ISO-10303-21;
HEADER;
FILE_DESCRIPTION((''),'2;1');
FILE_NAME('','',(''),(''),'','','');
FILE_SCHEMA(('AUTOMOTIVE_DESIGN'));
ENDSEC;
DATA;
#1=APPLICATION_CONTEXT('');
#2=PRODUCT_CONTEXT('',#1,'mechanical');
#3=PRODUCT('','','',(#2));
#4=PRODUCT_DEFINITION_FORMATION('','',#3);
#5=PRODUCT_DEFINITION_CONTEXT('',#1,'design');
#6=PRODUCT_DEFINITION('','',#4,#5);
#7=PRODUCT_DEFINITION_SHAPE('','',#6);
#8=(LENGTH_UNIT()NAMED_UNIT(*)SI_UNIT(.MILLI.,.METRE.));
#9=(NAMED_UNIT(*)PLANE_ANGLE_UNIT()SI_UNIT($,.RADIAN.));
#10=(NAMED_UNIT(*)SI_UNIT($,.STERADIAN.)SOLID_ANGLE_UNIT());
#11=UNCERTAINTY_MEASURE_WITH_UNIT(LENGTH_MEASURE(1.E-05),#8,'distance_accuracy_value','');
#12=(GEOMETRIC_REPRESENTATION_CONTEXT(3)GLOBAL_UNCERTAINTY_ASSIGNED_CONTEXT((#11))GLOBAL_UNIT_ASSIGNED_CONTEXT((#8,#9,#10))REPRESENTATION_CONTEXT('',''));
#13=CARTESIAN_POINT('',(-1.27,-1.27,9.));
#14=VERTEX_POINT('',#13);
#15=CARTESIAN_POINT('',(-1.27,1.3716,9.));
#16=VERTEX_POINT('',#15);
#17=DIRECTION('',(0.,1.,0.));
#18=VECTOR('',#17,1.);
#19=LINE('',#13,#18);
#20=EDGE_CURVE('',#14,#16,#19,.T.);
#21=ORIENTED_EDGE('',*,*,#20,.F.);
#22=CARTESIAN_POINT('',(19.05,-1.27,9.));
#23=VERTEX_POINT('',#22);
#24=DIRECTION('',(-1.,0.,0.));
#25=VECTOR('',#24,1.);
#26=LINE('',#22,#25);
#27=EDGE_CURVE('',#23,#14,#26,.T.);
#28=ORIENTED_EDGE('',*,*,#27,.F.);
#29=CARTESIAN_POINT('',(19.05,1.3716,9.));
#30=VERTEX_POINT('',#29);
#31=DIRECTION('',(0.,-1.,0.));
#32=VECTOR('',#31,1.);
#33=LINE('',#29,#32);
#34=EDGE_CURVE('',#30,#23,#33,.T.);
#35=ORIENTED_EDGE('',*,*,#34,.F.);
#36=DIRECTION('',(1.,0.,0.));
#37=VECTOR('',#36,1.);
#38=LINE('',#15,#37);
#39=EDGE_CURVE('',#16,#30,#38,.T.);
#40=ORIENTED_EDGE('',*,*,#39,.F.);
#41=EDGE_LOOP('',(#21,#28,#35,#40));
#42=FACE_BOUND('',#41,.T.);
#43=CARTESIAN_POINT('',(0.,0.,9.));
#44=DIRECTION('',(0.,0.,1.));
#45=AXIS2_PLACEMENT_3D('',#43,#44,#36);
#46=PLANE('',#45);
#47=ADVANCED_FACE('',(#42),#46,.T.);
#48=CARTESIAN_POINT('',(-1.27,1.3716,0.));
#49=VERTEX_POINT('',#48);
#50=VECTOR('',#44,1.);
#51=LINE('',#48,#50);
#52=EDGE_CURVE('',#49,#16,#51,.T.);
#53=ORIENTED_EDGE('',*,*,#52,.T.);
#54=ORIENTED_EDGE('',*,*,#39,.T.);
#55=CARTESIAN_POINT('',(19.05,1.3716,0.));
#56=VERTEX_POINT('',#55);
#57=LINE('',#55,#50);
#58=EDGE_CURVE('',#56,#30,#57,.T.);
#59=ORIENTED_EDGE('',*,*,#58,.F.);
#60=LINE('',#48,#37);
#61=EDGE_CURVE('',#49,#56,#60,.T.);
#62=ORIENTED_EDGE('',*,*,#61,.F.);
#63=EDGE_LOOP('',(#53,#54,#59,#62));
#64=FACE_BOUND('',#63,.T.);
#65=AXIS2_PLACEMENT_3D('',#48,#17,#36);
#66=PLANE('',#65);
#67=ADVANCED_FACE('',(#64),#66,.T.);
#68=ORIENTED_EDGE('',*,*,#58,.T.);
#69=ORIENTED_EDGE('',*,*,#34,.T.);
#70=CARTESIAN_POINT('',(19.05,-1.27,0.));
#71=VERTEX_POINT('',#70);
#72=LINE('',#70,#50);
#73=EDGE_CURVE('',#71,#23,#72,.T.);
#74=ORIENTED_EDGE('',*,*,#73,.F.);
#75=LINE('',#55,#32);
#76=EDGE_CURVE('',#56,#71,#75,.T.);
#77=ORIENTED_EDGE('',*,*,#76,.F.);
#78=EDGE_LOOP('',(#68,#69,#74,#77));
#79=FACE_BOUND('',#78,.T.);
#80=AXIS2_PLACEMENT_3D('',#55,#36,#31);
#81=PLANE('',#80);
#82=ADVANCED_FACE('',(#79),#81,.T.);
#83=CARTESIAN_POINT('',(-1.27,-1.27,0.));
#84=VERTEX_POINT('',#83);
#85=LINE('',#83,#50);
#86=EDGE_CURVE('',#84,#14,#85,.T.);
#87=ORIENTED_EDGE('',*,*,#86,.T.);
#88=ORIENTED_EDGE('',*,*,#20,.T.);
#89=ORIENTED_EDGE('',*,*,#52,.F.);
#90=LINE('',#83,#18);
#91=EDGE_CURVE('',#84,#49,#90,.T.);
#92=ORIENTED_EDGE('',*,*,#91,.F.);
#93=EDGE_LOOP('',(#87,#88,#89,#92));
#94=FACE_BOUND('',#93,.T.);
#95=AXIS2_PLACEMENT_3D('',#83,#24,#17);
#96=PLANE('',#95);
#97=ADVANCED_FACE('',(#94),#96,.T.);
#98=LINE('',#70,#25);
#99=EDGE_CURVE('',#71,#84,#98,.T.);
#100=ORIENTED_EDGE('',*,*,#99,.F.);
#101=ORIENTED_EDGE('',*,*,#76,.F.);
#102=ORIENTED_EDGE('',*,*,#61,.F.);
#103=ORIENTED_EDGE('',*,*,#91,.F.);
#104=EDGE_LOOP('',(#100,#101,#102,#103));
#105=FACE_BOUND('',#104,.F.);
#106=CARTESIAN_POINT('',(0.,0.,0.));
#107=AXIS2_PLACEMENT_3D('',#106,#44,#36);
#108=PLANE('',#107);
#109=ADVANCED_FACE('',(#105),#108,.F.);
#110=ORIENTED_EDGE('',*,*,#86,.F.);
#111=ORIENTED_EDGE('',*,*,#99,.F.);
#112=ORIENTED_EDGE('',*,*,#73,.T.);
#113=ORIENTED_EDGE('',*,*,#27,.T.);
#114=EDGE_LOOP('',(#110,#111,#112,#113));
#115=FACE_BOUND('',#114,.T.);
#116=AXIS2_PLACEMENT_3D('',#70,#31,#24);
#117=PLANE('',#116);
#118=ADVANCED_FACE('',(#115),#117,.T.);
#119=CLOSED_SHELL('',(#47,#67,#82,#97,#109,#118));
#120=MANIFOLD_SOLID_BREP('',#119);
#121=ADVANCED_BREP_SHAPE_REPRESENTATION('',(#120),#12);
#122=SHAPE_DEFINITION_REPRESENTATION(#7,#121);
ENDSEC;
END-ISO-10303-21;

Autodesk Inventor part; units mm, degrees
ref_plane "YZ Plane" through (0, 0, 0) normal (1, 0, 0) x (0, 1, 0)
ref_plane "XZ Plane" through (0, 0, 0) normal (0, 1, 0) x (-1, 0, 0)
ref_plane "XY Plane" through (0, 0, 0) normal (0, 0, 1) x (1, 0, 0)
sketch "1X08, DIGITAL_15" plane through (0, 0, 0) normal (0, 0, 1) x (1, 0, 0)
  line L0 (-1.27, 1.3716) -> (19.05, 1.3716)
  line L1 (19.05, 1.3716) -> (19.05, -1.27)
  line L2 (19.05, -1.27) -> (-1.27, -1.27)
  line L3 (-1.27, -1.27) -> (-1.27, 1.3716)
extrude "Extrusion1" add sketch "1X08, DIGITAL_15" along normal blind 9
properties part number "DIGITAL"
